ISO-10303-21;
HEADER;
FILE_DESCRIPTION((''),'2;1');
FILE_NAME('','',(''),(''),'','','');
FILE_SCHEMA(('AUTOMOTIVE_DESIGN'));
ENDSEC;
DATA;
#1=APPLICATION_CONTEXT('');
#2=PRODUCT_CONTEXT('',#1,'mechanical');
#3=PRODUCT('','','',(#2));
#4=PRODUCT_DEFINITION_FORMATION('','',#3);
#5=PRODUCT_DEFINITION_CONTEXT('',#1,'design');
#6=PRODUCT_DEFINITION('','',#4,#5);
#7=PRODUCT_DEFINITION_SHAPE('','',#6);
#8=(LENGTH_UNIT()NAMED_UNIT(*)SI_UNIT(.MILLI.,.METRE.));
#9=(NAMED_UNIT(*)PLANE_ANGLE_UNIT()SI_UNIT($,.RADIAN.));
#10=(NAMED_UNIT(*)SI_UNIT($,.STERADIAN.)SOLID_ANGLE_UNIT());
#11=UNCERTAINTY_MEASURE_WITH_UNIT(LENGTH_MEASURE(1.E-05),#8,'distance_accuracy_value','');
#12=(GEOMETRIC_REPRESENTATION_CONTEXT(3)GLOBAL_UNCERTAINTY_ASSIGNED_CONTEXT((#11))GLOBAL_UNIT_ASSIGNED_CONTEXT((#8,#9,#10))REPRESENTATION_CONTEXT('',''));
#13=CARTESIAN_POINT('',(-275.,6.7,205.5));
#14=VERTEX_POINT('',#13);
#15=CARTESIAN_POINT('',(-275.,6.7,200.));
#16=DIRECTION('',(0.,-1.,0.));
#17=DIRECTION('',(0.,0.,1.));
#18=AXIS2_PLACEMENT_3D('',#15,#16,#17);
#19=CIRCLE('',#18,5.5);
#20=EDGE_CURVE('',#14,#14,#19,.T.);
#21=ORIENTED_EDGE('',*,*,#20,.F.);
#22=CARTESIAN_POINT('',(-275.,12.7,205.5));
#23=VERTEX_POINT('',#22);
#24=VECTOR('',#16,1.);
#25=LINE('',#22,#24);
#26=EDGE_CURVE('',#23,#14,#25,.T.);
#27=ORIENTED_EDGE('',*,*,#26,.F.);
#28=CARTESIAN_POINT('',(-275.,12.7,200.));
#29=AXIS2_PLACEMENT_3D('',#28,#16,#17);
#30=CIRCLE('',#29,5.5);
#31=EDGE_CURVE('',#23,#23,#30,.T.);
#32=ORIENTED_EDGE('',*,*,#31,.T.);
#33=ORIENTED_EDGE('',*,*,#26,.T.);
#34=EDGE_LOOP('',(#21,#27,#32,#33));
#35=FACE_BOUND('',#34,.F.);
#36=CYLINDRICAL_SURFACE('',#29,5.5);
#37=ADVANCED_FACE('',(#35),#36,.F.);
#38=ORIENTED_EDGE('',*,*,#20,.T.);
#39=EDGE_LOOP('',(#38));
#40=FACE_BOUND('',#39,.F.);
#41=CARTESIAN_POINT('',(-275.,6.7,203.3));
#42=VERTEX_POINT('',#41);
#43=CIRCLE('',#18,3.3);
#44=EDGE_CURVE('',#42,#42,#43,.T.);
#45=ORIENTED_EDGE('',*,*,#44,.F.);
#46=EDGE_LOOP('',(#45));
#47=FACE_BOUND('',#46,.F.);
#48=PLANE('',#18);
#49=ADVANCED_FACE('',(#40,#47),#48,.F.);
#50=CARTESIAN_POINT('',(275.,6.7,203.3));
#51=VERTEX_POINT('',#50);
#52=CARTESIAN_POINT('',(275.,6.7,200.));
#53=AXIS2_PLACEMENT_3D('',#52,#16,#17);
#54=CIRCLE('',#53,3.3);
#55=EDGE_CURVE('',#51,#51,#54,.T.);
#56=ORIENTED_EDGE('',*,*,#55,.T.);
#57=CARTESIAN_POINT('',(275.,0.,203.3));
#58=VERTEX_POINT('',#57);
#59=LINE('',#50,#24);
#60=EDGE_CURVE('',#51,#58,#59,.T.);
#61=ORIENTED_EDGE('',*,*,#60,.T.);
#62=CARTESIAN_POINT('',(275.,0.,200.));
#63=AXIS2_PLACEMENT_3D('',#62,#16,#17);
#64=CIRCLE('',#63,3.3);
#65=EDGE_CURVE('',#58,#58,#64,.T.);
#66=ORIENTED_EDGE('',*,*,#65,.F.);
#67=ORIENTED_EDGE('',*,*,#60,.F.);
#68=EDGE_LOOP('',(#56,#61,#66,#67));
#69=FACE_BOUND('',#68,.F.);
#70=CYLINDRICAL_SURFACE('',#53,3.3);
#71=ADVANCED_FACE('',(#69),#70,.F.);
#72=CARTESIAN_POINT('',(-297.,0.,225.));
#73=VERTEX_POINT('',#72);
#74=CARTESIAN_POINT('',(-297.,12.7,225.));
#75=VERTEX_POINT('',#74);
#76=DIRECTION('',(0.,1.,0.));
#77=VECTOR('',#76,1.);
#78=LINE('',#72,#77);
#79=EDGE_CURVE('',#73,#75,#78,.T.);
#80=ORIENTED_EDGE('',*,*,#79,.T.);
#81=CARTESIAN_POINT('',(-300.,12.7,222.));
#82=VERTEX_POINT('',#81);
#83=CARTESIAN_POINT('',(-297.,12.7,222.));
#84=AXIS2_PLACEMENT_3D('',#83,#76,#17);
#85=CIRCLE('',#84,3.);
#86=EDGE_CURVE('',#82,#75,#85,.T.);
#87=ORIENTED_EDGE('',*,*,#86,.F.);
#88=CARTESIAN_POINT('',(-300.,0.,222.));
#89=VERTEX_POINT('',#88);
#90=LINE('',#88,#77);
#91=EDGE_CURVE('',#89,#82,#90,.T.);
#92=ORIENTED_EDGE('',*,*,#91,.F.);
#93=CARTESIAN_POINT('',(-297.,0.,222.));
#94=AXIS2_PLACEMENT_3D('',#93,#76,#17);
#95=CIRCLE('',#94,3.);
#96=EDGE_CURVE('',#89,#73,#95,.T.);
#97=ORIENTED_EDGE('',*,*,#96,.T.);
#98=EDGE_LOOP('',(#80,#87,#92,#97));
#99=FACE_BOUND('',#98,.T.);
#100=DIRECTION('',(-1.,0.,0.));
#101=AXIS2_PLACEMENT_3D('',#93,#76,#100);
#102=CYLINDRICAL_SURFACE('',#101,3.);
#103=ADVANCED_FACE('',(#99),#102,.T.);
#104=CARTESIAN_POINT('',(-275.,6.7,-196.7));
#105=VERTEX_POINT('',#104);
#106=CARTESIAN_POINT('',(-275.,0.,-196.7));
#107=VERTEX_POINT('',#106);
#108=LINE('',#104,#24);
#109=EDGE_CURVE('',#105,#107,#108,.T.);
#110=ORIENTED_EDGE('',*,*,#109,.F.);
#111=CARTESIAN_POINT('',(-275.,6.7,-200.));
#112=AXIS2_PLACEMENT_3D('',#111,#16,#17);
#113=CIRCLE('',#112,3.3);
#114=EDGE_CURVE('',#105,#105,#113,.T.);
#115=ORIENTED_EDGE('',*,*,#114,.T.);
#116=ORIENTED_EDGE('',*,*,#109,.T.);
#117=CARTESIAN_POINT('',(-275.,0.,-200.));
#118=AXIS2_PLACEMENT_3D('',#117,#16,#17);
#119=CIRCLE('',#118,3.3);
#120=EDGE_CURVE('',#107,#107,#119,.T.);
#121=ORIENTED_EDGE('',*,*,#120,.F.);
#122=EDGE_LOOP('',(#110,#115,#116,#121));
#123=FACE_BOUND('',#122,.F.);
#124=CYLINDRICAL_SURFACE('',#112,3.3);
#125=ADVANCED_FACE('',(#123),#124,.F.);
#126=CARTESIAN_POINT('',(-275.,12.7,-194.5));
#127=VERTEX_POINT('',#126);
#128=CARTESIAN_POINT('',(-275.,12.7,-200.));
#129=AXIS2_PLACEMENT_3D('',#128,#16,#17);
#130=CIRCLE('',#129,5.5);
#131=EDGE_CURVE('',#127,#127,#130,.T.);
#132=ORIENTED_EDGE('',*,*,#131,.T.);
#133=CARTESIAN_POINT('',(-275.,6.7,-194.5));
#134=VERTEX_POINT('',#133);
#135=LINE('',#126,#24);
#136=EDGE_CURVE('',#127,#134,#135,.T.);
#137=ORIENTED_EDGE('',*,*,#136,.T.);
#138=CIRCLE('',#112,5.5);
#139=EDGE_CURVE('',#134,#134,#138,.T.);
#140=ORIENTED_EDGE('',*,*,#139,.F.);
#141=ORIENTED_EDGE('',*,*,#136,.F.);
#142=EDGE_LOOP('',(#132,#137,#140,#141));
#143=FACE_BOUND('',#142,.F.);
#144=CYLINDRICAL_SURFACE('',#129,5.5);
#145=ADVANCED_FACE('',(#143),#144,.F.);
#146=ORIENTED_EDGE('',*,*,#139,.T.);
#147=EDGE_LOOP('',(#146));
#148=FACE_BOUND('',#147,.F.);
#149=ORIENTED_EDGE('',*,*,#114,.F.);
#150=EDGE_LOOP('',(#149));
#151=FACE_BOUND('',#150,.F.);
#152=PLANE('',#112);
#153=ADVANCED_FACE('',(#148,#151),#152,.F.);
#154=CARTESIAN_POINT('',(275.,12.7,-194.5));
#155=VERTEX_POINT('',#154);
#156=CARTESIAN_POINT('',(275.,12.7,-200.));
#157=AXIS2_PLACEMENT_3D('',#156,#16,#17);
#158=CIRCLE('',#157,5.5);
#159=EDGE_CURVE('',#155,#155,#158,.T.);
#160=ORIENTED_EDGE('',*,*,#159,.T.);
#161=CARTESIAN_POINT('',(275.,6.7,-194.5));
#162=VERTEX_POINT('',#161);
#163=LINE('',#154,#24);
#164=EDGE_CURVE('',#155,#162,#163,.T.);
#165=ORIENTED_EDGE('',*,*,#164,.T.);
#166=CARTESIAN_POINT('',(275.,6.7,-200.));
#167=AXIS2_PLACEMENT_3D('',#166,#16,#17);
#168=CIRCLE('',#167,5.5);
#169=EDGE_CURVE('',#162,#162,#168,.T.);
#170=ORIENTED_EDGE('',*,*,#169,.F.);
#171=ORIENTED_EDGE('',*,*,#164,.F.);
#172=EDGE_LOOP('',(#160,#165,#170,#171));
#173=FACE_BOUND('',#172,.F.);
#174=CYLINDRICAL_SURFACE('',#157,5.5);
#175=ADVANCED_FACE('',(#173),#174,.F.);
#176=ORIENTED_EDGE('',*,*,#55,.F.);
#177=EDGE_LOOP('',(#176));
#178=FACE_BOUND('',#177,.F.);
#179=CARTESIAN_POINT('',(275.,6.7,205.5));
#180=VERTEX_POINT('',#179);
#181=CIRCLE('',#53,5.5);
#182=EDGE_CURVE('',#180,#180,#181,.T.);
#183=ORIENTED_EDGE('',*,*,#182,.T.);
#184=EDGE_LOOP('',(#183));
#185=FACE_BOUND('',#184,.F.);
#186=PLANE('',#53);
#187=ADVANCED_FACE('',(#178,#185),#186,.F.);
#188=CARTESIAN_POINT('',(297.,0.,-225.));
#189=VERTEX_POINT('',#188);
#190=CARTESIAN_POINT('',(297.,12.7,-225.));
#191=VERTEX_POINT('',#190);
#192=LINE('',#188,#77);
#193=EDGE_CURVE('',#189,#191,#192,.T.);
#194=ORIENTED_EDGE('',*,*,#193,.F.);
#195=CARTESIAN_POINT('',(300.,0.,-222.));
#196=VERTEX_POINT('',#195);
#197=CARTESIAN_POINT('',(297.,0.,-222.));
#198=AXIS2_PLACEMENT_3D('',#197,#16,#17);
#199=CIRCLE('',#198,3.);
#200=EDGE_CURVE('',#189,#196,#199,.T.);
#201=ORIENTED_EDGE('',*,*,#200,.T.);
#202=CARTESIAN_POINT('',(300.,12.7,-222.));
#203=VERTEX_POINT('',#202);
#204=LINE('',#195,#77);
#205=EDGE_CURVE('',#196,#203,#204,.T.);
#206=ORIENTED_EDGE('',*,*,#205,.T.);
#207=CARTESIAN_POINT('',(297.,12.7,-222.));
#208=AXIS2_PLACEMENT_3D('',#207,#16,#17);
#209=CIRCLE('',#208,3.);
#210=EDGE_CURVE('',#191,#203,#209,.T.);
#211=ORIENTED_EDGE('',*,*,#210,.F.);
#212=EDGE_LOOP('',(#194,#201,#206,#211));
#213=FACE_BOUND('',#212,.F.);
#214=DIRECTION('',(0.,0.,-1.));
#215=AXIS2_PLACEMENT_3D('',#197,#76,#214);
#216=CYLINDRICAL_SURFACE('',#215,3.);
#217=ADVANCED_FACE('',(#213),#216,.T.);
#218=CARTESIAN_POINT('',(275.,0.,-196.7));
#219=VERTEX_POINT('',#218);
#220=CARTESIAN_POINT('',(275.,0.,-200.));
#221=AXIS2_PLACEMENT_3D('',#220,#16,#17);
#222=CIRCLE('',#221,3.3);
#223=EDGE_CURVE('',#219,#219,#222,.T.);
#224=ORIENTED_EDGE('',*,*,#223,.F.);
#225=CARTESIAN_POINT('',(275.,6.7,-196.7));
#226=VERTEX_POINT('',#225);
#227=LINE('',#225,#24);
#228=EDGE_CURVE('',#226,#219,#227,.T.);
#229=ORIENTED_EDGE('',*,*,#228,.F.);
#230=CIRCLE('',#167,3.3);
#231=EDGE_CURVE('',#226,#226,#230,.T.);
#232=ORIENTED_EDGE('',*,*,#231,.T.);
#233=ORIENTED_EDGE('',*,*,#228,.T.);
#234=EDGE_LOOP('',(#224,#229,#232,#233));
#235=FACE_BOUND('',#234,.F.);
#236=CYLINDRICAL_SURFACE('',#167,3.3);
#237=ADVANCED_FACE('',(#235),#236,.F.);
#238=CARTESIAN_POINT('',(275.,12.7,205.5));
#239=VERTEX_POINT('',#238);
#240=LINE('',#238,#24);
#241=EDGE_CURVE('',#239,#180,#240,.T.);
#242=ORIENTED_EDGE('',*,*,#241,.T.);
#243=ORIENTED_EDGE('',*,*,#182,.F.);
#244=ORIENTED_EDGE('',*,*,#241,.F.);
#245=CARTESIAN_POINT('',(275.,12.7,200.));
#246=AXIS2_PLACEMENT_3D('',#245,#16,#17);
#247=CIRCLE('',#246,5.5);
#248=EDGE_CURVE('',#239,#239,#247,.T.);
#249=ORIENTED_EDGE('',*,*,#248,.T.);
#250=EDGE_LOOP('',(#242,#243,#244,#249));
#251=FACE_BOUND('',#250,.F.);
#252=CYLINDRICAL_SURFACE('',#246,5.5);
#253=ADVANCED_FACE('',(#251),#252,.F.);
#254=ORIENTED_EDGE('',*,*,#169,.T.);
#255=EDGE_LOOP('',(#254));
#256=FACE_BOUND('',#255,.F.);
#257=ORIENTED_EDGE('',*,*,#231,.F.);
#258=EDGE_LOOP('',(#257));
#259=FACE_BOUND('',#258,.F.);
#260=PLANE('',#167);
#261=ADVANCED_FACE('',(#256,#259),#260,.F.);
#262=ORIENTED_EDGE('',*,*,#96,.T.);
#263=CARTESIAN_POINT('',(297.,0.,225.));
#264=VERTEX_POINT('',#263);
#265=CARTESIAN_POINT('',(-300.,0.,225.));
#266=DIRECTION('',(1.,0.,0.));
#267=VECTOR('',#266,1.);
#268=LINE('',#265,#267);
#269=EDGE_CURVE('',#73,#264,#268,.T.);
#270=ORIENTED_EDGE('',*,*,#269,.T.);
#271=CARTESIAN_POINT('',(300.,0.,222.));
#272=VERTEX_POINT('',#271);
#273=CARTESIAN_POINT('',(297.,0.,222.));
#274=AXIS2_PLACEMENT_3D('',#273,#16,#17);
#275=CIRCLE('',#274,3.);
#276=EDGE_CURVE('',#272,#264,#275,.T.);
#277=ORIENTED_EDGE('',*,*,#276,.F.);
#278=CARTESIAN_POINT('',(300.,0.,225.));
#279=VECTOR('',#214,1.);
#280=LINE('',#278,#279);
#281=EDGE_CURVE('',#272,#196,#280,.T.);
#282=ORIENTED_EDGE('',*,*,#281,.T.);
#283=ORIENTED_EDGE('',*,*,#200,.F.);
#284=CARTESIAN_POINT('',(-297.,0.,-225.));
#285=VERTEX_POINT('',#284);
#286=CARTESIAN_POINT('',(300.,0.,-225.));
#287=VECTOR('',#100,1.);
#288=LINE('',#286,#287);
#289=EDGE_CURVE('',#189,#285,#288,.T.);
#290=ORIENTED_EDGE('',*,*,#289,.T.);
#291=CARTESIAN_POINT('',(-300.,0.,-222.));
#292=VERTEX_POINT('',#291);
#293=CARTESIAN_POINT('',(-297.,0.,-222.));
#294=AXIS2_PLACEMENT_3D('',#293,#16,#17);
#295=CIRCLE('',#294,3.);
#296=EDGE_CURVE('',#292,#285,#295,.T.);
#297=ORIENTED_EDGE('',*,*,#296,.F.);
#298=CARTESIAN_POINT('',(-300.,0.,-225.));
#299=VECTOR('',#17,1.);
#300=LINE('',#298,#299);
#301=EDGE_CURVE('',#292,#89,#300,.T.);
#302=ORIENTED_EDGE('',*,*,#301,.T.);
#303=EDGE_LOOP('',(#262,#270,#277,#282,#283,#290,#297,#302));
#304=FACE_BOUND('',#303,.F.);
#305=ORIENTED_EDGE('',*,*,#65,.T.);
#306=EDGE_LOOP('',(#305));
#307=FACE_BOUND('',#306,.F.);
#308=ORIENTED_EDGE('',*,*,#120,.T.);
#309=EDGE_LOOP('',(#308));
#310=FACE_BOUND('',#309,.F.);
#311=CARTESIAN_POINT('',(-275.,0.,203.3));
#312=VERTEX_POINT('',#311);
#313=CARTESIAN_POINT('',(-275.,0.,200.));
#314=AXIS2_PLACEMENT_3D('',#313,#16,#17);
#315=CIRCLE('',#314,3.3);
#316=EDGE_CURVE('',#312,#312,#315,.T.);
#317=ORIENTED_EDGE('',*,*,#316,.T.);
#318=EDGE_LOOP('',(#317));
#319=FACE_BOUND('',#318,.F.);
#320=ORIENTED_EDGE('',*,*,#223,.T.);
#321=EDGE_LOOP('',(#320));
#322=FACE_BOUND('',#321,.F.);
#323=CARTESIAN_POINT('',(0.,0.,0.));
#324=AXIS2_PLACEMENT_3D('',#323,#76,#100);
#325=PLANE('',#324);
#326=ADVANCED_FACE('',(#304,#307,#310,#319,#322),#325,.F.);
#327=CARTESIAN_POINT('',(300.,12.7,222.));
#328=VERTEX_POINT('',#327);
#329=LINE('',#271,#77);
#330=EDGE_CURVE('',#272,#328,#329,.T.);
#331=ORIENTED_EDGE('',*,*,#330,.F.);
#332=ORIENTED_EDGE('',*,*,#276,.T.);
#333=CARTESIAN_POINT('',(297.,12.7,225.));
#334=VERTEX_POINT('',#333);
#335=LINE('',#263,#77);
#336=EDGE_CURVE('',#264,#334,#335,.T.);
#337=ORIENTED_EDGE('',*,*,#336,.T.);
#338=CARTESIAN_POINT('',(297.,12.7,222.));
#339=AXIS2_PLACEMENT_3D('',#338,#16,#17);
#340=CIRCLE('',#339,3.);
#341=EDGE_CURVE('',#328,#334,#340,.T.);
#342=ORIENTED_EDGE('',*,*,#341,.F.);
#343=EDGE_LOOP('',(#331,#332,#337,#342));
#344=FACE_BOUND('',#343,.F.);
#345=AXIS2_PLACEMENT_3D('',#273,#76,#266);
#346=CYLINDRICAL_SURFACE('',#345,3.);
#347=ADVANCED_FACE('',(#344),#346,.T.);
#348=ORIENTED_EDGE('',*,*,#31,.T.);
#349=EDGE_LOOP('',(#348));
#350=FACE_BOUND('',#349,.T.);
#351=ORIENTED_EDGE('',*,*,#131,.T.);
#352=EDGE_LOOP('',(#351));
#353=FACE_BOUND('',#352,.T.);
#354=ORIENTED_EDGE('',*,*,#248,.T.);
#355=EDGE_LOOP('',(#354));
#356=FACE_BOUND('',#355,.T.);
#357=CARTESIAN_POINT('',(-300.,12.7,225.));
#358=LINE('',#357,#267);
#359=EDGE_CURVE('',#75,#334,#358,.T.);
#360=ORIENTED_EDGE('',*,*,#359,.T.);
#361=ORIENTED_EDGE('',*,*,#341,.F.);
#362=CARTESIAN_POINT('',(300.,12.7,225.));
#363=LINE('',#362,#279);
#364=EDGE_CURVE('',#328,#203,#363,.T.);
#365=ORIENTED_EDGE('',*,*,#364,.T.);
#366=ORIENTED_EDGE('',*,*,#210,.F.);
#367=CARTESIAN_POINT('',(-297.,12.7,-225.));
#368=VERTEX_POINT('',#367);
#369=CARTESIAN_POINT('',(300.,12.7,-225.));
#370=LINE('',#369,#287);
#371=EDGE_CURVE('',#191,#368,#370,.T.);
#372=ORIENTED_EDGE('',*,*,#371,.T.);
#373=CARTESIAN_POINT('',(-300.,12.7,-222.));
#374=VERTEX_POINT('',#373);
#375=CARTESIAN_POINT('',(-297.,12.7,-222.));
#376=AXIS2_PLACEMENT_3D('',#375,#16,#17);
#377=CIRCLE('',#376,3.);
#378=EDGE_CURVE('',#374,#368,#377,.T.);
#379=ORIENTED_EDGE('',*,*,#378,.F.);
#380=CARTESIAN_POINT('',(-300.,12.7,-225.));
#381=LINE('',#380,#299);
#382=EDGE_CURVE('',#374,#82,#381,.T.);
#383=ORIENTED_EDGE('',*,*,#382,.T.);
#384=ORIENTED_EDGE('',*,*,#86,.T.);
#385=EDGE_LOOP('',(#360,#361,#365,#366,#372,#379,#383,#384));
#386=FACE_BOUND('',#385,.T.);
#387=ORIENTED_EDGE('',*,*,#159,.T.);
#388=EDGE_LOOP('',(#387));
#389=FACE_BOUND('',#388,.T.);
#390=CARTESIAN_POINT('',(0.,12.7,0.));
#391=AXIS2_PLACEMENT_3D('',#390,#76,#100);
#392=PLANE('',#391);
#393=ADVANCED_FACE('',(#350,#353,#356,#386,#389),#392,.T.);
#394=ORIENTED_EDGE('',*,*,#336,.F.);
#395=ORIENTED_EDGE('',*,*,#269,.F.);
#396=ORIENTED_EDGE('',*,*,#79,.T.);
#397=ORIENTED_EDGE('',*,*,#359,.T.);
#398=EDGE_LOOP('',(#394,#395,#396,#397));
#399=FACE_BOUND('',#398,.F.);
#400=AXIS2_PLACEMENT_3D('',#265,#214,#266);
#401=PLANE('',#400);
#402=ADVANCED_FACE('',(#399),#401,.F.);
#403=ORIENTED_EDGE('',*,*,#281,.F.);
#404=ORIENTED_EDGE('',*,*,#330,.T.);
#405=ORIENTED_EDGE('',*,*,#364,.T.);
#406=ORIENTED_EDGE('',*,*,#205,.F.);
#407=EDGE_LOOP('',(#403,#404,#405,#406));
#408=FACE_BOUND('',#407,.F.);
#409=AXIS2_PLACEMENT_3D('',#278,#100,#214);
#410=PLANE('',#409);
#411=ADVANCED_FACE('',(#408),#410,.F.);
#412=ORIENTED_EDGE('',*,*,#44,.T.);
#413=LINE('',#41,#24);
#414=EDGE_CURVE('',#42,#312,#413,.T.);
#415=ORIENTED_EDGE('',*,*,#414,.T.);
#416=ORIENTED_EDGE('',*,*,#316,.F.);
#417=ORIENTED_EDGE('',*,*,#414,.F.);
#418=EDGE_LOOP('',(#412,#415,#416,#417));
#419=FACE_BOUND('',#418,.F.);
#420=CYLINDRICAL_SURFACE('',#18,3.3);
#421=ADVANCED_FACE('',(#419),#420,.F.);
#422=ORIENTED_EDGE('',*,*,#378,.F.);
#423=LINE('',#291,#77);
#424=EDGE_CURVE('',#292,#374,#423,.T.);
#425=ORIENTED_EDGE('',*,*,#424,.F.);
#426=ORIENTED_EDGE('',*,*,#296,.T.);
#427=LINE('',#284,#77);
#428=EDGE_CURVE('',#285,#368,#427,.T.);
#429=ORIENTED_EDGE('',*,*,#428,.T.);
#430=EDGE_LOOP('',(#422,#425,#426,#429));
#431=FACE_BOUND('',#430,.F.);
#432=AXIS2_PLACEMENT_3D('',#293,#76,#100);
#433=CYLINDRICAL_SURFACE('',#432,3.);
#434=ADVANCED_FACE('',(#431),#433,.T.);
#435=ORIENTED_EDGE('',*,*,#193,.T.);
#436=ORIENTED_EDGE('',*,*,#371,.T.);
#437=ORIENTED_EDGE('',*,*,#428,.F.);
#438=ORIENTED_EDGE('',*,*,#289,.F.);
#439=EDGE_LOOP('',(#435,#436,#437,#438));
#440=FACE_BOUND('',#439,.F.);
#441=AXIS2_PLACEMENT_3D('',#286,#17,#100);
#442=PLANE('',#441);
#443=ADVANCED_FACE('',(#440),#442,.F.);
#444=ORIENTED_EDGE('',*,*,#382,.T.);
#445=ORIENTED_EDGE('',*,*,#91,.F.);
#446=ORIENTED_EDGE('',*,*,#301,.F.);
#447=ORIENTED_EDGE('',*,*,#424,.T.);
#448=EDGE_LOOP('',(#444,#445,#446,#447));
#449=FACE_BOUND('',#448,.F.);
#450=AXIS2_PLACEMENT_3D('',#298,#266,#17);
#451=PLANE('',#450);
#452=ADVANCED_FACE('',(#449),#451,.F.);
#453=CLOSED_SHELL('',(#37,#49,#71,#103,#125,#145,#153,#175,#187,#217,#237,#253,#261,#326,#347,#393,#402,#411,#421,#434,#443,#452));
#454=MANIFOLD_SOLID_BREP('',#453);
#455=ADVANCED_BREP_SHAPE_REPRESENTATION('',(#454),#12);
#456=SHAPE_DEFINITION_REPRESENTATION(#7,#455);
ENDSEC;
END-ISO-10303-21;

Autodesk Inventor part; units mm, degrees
ref_plane "YZ Plane" through (0, 0, 0) normal (1, 0, 0) x (0, 1, 0)
ref_plane "XZ Plane" through (0, 0, 0) normal (0, 1, 0) x (-1, 0, 0)
ref_plane "XY Plane" through (0, 0, 0) normal (0, 0, 1) x (1, 0, 0)
sketch "Sketch1" plane through (0, 0, 0) normal (0, 1, 0) x (-1, 0, 0)
  line L0 (300, 225) -> (-300, 225)
  line L1 (-300, 225) -> (-300, -225)
  line L2 (-300, -225) -> (300, -225)
  line L3 (300, -225) -> (300, 225)
  line L4 (300, 225) -> (-300, -225) construction
  line L5 (-300, 225) -> (300, -225) construction
  point P0 (0, 0)
  dimension "d0" = 600
  dimension "d1" = 450
extrude "Extrusion1" add sketch "Sketch1" along normal blind 12.7
fillet "Fillet1" radius 3 4 edges at (300, 6.35, 225) (300, 6.35, -225) (-300, 6.35, 225) (-300, 6.35, -225)
sketch "Sketch2" plane through (0, 12.7, 0) normal (0, 1, 0) x (1, 0, 0)
  line L0 (-300, 222) -> (-300, -222) projected
  line L1 (297, 225) -> (-297, 225) projected
  line L2 (-297, -225) -> (297, -225) projected
  line L3 (300, -222) -> (300, 222) projected
  line L4 (0, 225) -> (0, -225) construction
  line L5 (-300, 0) -> (300, 0) construction
  point P0 (0, 0)
  point P1 (-275, 200)
  point P2 (275, 200)
  point P3 (-275, -200)
  point P4 (275, -200)
  dimension "d5" = 25
  dimension "d6" = 25
hole "Hole1" at (-275, 12.7, -200) at (275, 12.7, -200) at (275, 12.7, 200) at (-275, 12.7, 200) direction (0, -1, 0) diameter 6.6 end through all counterbore diameter 11 counterbore depth 6 clearance for "Socket Head Cap Screw" size "M6" standard "Ansi Metric M Profile"
properties part number "Breadboard" material "Aluminum 6061"
